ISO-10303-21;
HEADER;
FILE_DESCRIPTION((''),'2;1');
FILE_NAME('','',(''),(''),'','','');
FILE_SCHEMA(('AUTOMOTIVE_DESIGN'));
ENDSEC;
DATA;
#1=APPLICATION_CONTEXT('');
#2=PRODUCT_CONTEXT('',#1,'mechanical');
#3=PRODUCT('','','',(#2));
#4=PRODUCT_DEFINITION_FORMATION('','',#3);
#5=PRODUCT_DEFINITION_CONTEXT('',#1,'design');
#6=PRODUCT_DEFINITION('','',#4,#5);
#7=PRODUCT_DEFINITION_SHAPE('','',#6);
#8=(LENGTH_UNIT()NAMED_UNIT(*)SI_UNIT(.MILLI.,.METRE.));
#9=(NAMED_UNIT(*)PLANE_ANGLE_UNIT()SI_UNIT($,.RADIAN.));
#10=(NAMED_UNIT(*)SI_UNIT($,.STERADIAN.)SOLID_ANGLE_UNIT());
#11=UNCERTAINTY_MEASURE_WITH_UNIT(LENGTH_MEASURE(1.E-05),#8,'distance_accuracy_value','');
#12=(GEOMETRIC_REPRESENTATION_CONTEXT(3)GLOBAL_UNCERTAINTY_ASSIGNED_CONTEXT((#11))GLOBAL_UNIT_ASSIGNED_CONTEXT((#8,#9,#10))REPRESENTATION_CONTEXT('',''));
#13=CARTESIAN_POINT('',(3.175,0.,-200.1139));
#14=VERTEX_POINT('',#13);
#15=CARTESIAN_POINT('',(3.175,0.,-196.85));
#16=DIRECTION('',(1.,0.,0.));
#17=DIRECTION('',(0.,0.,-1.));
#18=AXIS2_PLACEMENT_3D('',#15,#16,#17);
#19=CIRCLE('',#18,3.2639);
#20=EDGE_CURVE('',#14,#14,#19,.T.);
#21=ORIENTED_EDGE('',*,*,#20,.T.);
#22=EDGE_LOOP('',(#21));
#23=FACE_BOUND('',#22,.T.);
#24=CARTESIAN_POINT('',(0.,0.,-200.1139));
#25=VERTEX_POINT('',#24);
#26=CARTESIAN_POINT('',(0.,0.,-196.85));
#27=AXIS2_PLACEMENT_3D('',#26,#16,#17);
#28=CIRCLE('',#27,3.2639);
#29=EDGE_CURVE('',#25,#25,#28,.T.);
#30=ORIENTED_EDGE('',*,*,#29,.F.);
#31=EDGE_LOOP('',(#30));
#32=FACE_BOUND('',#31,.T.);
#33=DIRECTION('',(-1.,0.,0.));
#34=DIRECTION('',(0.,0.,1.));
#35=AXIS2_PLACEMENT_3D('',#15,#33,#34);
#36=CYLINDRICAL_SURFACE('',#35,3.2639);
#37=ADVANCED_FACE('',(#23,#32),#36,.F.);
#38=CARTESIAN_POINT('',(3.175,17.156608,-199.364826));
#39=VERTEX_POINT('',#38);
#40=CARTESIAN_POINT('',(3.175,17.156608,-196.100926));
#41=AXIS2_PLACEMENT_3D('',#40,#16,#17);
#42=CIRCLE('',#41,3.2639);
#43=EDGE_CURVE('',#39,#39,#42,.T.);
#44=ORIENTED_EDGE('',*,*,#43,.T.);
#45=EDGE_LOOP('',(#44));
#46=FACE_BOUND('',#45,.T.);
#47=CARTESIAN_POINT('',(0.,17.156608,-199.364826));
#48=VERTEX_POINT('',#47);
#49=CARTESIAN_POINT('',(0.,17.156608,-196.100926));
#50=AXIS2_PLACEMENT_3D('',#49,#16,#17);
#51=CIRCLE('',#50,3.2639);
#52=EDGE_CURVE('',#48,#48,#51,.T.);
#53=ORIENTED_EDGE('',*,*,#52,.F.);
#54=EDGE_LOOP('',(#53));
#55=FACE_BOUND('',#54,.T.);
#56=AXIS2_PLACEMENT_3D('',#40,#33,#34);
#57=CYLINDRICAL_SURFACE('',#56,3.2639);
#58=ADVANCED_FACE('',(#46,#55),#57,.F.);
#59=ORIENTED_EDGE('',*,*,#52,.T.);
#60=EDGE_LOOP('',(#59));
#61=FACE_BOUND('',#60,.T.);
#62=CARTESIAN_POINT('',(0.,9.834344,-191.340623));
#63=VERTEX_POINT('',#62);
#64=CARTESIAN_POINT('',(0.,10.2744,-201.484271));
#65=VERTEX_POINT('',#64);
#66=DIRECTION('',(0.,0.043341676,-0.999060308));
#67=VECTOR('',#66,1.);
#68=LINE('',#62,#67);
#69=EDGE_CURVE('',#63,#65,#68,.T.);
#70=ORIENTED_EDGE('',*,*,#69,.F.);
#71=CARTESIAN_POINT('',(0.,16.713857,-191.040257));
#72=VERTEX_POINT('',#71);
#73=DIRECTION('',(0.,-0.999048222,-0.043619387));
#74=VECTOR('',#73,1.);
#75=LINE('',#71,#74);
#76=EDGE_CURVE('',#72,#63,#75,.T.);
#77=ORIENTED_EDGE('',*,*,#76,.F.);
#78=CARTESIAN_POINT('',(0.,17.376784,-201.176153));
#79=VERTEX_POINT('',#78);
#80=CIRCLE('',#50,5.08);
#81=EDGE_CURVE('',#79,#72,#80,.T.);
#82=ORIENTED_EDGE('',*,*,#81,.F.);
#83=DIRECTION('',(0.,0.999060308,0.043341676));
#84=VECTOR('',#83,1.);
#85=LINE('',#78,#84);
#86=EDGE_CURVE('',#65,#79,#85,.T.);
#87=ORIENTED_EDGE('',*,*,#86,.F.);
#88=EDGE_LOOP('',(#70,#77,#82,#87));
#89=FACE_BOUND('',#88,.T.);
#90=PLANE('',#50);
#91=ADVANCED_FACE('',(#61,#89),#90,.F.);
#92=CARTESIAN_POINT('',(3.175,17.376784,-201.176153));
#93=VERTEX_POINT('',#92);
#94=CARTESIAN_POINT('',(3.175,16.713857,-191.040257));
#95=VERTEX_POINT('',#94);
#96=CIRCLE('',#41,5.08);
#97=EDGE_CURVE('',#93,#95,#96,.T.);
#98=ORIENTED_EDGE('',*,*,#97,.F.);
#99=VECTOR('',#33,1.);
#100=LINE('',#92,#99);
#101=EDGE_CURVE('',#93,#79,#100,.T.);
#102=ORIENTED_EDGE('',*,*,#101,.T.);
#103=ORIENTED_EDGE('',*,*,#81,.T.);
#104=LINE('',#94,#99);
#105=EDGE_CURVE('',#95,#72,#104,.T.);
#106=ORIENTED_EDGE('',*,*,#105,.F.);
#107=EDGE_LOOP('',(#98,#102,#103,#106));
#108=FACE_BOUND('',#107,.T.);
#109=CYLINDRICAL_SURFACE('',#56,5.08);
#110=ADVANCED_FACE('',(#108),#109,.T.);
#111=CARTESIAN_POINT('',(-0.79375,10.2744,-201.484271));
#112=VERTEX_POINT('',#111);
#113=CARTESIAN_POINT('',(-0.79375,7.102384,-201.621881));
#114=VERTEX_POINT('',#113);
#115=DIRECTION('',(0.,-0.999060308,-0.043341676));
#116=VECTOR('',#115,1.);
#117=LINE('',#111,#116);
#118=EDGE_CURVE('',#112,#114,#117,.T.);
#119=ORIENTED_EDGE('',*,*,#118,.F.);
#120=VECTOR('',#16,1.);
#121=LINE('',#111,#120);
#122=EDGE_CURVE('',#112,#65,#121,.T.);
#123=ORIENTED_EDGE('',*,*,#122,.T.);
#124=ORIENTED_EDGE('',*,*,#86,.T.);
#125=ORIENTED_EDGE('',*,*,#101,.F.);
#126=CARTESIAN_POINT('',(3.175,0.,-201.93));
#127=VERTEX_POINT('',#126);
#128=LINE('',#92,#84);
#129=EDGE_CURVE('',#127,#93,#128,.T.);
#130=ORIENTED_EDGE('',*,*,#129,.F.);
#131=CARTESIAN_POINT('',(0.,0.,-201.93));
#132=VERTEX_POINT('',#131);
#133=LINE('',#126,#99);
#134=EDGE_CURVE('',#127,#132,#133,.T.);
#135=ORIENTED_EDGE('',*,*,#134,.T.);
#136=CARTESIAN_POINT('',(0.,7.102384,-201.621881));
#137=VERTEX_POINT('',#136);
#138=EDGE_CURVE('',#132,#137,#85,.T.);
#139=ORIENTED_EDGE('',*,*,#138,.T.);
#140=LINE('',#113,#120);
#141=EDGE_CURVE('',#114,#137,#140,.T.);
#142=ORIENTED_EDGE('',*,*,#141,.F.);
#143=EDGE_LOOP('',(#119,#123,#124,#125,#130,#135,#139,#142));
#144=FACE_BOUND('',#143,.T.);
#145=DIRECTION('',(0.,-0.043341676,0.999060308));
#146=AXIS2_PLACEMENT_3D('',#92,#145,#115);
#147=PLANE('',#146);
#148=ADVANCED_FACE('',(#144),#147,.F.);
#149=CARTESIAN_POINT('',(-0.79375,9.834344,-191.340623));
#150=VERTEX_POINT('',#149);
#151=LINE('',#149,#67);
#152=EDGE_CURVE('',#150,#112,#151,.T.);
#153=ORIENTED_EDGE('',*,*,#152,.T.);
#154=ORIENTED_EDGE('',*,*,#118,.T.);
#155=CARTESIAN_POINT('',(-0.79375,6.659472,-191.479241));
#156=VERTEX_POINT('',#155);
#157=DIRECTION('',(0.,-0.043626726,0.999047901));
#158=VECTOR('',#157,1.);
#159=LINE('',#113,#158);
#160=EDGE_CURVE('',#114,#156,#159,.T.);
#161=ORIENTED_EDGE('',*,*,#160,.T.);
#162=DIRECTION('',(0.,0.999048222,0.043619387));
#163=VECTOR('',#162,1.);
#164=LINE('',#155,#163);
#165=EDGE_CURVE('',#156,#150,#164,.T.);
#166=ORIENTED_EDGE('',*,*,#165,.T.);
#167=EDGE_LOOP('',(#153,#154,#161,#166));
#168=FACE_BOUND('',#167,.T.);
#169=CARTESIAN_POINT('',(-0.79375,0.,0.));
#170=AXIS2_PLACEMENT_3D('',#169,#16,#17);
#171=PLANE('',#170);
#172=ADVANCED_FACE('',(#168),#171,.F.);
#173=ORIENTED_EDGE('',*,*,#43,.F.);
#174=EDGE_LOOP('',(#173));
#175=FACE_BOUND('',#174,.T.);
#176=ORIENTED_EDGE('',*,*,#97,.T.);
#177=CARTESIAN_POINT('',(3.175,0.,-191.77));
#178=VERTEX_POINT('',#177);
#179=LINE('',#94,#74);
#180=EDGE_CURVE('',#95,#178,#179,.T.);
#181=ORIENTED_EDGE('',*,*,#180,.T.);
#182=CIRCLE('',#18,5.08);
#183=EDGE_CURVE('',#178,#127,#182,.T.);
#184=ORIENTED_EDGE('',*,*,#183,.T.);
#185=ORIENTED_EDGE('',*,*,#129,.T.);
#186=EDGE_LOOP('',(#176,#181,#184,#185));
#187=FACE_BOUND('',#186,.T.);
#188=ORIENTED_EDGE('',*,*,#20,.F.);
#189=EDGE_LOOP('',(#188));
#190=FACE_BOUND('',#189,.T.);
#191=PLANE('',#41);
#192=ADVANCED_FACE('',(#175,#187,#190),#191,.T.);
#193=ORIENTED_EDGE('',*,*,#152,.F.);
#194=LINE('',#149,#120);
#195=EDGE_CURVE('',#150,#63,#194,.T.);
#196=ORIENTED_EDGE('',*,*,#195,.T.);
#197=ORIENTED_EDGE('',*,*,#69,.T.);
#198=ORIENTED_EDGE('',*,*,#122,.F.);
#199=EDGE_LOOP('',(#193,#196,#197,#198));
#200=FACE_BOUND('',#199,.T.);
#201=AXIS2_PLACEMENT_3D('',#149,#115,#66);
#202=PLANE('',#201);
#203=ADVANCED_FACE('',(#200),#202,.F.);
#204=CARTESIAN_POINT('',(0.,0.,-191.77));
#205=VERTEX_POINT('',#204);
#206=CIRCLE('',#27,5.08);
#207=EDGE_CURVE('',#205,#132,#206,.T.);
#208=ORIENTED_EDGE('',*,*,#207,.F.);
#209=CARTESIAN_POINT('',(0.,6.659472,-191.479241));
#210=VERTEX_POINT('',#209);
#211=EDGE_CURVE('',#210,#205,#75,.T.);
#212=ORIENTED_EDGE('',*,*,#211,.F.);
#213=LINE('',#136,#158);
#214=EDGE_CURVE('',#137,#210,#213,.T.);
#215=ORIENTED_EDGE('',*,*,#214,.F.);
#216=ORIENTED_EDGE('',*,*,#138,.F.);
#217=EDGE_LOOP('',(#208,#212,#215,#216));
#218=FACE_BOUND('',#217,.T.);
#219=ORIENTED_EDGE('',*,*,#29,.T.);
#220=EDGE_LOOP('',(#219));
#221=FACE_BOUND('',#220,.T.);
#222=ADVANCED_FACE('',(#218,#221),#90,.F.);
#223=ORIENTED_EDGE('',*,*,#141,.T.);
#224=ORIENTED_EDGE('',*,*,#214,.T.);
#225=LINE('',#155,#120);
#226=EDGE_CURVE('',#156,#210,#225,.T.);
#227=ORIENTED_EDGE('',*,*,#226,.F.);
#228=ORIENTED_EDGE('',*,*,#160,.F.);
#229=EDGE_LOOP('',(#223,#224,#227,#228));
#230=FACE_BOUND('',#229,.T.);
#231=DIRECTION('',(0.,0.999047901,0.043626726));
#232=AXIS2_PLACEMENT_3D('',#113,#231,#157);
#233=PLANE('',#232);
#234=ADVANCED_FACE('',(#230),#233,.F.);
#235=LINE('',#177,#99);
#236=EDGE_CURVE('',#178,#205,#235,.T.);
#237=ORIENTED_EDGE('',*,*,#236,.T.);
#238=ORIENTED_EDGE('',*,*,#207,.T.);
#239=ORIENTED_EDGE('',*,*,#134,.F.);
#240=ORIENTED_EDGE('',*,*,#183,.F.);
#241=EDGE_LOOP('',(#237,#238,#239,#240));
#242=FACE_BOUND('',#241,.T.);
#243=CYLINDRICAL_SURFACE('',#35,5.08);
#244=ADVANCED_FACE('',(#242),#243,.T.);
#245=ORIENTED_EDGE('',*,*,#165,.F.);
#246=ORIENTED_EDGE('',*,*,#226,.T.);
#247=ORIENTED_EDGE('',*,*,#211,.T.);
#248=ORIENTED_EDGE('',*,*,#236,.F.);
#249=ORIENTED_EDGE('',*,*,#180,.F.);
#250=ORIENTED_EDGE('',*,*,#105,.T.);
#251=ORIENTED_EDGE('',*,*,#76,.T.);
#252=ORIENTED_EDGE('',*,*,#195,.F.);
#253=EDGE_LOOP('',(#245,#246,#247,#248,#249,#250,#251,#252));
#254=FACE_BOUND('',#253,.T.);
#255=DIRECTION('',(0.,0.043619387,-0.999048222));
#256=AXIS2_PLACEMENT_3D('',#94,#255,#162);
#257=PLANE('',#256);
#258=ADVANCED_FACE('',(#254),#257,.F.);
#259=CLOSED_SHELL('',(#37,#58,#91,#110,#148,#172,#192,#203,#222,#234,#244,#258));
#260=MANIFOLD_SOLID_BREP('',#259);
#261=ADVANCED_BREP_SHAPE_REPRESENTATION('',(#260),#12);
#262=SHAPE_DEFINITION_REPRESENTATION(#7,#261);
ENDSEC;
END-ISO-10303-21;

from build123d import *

# Parameters (mm, degrees)
SKETCH1_R           = 3.2639
BOSS_EXTRUDE1_DEPTH = 3.175
BOSS_EXTRUDE2_DEPTH = 0.79375


with BuildPart() as part:
    # Sketch1 → Boss-Extrude1 (new body)
    with BuildSketch(Plane(origin=(0, 0, 0), x_dir=(0, 0, -1), z_dir=(1, 0, 0))):
        with BuildLine():
            Line((191.040257253, 16.713856787), (191.77, 0))
            ThreePointArc((191.77, 0), (196.85, -5.08), (201.93, 0))
            Line((201.93, 0), (201.176152684, 17.376783675))
            ThreePointArc((201.176152684, 17.376783675), (195.769382968, 22.225777419), (191.040257253, 16.713856787))
        make_face()
        with Locations((196.85, 0)):
            Circle(SKETCH1_R, mode=Mode.SUBTRACT)
        with Locations((196.100926319, 17.15660796)):
            Circle(SKETCH1_R, mode=Mode.SUBTRACT)
    extrude(amount=BOSS_EXTRUDE1_DEPTH)

    # Sketch2 → Boss-Extrude2 (add)
    with BuildSketch(Plane.ZY):
        Polygon((-201.553076342, 8.688391837), (-201.621881253, 7.102383598), (-191.479241185, 6.659471722), (-191.340623275, 9.834343845), (-201.484271431, 10.274400077), align=None)
    extrude(amount=BOSS_EXTRUDE2_DEPTH)


solid = part.part
